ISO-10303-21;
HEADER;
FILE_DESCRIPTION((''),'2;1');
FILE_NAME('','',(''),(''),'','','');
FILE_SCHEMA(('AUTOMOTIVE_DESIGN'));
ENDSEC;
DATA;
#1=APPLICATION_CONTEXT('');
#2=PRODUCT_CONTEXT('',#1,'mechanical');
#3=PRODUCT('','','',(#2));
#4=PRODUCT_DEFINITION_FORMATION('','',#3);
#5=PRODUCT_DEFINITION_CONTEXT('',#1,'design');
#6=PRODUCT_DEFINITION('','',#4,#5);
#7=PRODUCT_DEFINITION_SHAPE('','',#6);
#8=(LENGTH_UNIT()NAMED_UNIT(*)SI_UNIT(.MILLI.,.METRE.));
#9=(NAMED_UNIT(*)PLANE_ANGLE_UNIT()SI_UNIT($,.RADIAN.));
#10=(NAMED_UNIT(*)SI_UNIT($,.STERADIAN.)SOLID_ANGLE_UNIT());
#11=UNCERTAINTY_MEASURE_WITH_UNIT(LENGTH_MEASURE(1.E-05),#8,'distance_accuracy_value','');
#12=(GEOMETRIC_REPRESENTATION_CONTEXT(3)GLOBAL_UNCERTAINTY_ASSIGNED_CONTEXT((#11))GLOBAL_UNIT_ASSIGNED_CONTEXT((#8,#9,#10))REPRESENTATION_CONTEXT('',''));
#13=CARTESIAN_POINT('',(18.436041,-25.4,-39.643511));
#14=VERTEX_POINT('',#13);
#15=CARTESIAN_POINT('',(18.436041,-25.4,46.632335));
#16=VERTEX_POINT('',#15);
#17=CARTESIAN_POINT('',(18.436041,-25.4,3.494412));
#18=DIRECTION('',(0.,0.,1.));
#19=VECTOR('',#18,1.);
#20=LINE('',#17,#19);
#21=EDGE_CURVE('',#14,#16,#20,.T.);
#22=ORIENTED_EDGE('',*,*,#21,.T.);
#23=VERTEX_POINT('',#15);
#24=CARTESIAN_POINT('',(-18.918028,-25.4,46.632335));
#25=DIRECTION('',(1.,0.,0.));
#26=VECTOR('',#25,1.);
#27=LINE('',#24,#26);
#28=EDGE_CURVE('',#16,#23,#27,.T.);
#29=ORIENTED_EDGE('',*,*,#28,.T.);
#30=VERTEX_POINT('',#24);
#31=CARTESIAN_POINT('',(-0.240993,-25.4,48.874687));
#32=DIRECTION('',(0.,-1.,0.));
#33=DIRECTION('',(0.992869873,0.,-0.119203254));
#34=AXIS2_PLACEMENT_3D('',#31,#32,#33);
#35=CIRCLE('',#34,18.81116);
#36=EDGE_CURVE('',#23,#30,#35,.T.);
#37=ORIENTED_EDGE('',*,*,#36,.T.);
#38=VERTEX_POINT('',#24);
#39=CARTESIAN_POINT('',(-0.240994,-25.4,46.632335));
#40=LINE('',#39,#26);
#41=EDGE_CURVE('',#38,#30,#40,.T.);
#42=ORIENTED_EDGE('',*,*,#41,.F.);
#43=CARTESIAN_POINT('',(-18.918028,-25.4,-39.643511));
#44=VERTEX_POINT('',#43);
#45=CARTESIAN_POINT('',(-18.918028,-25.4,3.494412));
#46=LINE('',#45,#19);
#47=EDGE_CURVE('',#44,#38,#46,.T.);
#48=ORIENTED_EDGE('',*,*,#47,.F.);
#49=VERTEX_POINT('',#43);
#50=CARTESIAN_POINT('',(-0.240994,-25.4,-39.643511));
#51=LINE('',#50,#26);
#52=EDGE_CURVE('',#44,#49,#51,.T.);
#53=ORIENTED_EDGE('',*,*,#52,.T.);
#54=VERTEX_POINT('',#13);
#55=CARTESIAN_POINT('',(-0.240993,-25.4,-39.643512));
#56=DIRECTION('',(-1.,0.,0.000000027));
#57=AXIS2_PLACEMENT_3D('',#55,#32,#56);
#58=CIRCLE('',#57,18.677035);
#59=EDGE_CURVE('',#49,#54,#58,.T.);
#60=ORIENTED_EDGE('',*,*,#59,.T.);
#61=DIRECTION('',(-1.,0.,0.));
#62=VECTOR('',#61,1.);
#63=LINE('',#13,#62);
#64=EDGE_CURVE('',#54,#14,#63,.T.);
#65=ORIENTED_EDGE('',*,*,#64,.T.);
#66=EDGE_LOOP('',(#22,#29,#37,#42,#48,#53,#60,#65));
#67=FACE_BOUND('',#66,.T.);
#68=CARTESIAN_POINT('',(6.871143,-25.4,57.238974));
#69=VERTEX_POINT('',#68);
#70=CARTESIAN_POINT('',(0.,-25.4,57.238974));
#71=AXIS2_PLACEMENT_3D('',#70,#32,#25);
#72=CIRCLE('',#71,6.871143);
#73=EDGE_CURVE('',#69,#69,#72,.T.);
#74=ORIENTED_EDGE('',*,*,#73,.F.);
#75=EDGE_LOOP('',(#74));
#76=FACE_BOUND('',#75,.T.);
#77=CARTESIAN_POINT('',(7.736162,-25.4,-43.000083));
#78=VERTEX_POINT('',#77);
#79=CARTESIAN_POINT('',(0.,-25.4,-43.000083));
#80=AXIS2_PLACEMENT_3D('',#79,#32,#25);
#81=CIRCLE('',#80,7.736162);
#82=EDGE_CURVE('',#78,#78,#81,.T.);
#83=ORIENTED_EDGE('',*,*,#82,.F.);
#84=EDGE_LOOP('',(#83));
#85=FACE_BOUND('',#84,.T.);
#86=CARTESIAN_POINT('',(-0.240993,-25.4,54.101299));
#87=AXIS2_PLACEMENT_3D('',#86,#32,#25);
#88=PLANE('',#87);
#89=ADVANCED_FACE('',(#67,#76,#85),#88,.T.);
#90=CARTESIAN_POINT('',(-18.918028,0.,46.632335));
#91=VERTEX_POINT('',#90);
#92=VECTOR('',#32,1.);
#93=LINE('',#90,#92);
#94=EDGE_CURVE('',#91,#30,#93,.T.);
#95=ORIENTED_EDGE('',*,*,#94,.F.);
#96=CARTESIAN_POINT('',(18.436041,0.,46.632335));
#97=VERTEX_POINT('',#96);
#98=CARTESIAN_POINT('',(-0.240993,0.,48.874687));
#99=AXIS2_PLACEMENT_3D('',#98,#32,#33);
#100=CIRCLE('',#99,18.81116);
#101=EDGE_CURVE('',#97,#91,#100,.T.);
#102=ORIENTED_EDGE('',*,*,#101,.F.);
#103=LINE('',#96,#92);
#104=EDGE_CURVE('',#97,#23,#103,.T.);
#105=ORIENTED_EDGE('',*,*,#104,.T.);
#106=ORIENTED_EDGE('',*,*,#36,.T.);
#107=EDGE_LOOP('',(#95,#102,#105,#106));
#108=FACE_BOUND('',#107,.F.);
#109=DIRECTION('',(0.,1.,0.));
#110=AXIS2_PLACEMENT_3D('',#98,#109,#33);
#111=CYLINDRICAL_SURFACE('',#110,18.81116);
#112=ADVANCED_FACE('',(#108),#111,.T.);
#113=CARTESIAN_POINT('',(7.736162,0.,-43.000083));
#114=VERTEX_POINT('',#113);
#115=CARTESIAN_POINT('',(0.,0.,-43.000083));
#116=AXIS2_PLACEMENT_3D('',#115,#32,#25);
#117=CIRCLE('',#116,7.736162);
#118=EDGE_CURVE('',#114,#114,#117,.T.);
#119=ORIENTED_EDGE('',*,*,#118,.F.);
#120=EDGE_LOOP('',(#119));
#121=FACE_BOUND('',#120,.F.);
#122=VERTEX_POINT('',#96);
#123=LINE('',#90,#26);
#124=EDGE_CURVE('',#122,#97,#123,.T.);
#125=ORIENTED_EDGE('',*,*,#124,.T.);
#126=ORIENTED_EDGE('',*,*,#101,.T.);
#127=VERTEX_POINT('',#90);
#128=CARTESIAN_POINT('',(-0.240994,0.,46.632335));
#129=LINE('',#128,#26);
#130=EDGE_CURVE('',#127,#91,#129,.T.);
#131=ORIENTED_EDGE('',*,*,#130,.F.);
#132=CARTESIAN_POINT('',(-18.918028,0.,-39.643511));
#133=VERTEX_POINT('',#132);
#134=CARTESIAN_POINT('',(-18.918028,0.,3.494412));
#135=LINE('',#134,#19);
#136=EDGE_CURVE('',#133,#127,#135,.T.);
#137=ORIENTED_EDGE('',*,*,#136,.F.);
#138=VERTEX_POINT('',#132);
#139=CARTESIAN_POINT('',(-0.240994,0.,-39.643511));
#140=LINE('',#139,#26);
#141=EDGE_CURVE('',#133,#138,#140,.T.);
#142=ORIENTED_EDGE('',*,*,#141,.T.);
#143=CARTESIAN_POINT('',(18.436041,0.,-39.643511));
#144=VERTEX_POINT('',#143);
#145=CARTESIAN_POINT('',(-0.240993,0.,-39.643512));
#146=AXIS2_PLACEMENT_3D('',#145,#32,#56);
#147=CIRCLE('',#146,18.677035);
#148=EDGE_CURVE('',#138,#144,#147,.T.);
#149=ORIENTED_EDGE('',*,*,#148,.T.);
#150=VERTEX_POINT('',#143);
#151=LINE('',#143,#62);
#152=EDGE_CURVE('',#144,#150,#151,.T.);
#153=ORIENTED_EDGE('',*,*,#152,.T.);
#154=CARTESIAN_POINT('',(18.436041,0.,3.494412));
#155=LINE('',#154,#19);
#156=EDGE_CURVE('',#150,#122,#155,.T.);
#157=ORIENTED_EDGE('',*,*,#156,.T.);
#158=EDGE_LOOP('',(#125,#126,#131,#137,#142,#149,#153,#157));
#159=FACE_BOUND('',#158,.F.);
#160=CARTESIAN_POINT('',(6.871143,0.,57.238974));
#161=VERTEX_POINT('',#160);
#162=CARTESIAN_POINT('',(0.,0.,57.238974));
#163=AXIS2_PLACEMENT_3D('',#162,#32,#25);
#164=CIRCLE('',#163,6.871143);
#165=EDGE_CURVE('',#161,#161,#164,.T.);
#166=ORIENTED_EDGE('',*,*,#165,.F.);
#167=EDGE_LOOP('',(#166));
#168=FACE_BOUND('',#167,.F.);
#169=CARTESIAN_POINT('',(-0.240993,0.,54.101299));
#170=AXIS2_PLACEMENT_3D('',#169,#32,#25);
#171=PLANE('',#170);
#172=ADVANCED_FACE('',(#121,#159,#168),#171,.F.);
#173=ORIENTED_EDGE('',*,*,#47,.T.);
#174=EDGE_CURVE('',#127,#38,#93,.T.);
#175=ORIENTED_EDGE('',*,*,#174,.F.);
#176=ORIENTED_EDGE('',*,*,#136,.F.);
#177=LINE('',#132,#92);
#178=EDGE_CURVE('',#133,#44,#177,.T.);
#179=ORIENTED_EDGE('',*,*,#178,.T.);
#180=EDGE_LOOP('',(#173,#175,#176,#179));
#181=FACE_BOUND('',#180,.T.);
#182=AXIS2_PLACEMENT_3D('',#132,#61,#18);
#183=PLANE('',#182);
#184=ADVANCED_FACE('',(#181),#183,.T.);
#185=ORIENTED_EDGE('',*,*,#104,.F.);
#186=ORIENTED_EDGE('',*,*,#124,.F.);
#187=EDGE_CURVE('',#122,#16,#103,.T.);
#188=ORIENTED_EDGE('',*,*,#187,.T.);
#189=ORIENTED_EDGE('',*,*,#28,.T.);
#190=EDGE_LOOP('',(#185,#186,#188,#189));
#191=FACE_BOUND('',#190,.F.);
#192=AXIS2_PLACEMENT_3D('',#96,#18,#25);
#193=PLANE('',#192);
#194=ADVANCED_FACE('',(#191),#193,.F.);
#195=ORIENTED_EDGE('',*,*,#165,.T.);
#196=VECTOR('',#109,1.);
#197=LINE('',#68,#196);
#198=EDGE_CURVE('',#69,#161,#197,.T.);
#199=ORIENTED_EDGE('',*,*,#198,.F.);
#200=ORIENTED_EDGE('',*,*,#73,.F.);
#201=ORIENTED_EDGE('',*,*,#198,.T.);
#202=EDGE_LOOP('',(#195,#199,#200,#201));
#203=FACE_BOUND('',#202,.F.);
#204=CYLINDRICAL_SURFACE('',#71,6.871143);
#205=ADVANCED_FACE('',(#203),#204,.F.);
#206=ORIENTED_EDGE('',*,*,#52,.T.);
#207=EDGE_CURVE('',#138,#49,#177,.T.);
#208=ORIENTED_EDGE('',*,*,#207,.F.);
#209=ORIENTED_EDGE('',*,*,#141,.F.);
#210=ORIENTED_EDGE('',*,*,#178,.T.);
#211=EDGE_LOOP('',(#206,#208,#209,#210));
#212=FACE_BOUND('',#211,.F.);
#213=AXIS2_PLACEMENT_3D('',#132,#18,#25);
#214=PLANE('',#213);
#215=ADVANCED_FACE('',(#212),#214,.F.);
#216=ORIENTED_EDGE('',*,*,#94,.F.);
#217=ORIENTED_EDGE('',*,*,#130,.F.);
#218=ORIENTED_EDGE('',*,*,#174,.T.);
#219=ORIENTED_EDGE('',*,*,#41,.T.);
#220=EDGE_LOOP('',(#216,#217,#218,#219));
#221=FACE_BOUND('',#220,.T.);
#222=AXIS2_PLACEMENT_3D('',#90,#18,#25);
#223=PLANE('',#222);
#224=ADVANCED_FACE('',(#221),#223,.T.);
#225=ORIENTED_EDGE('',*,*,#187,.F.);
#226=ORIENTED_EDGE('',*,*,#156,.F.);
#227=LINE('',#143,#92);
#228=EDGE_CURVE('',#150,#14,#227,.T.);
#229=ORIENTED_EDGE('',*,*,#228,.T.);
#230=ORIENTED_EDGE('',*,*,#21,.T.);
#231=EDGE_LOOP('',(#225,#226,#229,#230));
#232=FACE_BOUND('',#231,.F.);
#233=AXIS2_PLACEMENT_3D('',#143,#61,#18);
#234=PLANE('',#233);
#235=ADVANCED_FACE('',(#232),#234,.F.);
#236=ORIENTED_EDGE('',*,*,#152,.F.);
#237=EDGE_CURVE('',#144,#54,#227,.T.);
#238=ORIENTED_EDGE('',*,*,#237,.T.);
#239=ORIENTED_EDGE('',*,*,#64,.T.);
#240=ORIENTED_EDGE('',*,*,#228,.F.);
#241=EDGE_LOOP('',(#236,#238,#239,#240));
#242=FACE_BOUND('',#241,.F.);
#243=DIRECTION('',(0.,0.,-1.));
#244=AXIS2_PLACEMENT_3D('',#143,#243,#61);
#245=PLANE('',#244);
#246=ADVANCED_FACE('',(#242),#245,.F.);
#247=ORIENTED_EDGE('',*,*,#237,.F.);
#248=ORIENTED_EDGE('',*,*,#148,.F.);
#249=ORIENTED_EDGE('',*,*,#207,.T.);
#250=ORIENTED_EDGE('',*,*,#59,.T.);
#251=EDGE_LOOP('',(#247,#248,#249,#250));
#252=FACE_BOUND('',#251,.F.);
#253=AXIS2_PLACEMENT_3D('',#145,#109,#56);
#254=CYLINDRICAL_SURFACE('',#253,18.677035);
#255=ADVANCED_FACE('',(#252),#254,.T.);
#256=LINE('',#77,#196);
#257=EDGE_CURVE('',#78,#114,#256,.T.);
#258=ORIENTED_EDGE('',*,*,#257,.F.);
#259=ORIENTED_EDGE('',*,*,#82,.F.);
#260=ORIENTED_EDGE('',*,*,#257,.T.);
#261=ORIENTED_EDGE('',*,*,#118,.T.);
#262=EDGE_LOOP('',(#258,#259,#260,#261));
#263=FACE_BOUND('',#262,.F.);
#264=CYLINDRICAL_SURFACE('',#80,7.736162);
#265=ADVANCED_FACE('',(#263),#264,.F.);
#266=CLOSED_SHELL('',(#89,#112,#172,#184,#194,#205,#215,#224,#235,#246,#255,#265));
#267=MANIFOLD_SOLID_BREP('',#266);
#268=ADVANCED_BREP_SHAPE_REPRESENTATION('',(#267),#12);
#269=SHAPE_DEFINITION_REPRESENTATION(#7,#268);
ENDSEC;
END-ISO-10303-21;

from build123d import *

# Parameters (mm, degrees)
F0_W     = 37.354069
F0_H     = 86.275846
F1_DEPTH = 25.4
F2_R     = 6.871143
F2_R_2   = 7.736162
F3_DEPTH = 25.4


with BuildPart() as f1:
    # F0 (on Front) → F1 (new body)
    with BuildSketch(Plane.XZ):
        with BuildLine():
            ThreePointArc((18.436041, 46.632335), (-0.240994, 67.685847), (-18.918028, 46.632335))
            Line((-18.918028, 46.632335), (18.436041, 46.632335))
        make_face()
        with Locations((-0.240994, 3.494412)):
            Rectangle(F0_W, F0_H)
        with BuildLine():
            Line((18.436041, -39.643511), (-18.918028, -39.643511))
            ThreePointArc((-18.918028, -39.643511), (-0.240994, -58.320546), (18.436041, -39.643511))
        make_face()
    extrude(amount=F1_DEPTH)

    # F2 (on face) → F3 (cut)
    with BuildSketch(Plane.XZ.offset(25.4)):
        with Locations((0, 57.238974)):
            Circle(F2_R)
        with Locations((0, -43.000083)):
            Circle(F2_R_2)
    extrude(amount=-F3_DEPTH, mode=Mode.SUBTRACT)


solid = f1.part
